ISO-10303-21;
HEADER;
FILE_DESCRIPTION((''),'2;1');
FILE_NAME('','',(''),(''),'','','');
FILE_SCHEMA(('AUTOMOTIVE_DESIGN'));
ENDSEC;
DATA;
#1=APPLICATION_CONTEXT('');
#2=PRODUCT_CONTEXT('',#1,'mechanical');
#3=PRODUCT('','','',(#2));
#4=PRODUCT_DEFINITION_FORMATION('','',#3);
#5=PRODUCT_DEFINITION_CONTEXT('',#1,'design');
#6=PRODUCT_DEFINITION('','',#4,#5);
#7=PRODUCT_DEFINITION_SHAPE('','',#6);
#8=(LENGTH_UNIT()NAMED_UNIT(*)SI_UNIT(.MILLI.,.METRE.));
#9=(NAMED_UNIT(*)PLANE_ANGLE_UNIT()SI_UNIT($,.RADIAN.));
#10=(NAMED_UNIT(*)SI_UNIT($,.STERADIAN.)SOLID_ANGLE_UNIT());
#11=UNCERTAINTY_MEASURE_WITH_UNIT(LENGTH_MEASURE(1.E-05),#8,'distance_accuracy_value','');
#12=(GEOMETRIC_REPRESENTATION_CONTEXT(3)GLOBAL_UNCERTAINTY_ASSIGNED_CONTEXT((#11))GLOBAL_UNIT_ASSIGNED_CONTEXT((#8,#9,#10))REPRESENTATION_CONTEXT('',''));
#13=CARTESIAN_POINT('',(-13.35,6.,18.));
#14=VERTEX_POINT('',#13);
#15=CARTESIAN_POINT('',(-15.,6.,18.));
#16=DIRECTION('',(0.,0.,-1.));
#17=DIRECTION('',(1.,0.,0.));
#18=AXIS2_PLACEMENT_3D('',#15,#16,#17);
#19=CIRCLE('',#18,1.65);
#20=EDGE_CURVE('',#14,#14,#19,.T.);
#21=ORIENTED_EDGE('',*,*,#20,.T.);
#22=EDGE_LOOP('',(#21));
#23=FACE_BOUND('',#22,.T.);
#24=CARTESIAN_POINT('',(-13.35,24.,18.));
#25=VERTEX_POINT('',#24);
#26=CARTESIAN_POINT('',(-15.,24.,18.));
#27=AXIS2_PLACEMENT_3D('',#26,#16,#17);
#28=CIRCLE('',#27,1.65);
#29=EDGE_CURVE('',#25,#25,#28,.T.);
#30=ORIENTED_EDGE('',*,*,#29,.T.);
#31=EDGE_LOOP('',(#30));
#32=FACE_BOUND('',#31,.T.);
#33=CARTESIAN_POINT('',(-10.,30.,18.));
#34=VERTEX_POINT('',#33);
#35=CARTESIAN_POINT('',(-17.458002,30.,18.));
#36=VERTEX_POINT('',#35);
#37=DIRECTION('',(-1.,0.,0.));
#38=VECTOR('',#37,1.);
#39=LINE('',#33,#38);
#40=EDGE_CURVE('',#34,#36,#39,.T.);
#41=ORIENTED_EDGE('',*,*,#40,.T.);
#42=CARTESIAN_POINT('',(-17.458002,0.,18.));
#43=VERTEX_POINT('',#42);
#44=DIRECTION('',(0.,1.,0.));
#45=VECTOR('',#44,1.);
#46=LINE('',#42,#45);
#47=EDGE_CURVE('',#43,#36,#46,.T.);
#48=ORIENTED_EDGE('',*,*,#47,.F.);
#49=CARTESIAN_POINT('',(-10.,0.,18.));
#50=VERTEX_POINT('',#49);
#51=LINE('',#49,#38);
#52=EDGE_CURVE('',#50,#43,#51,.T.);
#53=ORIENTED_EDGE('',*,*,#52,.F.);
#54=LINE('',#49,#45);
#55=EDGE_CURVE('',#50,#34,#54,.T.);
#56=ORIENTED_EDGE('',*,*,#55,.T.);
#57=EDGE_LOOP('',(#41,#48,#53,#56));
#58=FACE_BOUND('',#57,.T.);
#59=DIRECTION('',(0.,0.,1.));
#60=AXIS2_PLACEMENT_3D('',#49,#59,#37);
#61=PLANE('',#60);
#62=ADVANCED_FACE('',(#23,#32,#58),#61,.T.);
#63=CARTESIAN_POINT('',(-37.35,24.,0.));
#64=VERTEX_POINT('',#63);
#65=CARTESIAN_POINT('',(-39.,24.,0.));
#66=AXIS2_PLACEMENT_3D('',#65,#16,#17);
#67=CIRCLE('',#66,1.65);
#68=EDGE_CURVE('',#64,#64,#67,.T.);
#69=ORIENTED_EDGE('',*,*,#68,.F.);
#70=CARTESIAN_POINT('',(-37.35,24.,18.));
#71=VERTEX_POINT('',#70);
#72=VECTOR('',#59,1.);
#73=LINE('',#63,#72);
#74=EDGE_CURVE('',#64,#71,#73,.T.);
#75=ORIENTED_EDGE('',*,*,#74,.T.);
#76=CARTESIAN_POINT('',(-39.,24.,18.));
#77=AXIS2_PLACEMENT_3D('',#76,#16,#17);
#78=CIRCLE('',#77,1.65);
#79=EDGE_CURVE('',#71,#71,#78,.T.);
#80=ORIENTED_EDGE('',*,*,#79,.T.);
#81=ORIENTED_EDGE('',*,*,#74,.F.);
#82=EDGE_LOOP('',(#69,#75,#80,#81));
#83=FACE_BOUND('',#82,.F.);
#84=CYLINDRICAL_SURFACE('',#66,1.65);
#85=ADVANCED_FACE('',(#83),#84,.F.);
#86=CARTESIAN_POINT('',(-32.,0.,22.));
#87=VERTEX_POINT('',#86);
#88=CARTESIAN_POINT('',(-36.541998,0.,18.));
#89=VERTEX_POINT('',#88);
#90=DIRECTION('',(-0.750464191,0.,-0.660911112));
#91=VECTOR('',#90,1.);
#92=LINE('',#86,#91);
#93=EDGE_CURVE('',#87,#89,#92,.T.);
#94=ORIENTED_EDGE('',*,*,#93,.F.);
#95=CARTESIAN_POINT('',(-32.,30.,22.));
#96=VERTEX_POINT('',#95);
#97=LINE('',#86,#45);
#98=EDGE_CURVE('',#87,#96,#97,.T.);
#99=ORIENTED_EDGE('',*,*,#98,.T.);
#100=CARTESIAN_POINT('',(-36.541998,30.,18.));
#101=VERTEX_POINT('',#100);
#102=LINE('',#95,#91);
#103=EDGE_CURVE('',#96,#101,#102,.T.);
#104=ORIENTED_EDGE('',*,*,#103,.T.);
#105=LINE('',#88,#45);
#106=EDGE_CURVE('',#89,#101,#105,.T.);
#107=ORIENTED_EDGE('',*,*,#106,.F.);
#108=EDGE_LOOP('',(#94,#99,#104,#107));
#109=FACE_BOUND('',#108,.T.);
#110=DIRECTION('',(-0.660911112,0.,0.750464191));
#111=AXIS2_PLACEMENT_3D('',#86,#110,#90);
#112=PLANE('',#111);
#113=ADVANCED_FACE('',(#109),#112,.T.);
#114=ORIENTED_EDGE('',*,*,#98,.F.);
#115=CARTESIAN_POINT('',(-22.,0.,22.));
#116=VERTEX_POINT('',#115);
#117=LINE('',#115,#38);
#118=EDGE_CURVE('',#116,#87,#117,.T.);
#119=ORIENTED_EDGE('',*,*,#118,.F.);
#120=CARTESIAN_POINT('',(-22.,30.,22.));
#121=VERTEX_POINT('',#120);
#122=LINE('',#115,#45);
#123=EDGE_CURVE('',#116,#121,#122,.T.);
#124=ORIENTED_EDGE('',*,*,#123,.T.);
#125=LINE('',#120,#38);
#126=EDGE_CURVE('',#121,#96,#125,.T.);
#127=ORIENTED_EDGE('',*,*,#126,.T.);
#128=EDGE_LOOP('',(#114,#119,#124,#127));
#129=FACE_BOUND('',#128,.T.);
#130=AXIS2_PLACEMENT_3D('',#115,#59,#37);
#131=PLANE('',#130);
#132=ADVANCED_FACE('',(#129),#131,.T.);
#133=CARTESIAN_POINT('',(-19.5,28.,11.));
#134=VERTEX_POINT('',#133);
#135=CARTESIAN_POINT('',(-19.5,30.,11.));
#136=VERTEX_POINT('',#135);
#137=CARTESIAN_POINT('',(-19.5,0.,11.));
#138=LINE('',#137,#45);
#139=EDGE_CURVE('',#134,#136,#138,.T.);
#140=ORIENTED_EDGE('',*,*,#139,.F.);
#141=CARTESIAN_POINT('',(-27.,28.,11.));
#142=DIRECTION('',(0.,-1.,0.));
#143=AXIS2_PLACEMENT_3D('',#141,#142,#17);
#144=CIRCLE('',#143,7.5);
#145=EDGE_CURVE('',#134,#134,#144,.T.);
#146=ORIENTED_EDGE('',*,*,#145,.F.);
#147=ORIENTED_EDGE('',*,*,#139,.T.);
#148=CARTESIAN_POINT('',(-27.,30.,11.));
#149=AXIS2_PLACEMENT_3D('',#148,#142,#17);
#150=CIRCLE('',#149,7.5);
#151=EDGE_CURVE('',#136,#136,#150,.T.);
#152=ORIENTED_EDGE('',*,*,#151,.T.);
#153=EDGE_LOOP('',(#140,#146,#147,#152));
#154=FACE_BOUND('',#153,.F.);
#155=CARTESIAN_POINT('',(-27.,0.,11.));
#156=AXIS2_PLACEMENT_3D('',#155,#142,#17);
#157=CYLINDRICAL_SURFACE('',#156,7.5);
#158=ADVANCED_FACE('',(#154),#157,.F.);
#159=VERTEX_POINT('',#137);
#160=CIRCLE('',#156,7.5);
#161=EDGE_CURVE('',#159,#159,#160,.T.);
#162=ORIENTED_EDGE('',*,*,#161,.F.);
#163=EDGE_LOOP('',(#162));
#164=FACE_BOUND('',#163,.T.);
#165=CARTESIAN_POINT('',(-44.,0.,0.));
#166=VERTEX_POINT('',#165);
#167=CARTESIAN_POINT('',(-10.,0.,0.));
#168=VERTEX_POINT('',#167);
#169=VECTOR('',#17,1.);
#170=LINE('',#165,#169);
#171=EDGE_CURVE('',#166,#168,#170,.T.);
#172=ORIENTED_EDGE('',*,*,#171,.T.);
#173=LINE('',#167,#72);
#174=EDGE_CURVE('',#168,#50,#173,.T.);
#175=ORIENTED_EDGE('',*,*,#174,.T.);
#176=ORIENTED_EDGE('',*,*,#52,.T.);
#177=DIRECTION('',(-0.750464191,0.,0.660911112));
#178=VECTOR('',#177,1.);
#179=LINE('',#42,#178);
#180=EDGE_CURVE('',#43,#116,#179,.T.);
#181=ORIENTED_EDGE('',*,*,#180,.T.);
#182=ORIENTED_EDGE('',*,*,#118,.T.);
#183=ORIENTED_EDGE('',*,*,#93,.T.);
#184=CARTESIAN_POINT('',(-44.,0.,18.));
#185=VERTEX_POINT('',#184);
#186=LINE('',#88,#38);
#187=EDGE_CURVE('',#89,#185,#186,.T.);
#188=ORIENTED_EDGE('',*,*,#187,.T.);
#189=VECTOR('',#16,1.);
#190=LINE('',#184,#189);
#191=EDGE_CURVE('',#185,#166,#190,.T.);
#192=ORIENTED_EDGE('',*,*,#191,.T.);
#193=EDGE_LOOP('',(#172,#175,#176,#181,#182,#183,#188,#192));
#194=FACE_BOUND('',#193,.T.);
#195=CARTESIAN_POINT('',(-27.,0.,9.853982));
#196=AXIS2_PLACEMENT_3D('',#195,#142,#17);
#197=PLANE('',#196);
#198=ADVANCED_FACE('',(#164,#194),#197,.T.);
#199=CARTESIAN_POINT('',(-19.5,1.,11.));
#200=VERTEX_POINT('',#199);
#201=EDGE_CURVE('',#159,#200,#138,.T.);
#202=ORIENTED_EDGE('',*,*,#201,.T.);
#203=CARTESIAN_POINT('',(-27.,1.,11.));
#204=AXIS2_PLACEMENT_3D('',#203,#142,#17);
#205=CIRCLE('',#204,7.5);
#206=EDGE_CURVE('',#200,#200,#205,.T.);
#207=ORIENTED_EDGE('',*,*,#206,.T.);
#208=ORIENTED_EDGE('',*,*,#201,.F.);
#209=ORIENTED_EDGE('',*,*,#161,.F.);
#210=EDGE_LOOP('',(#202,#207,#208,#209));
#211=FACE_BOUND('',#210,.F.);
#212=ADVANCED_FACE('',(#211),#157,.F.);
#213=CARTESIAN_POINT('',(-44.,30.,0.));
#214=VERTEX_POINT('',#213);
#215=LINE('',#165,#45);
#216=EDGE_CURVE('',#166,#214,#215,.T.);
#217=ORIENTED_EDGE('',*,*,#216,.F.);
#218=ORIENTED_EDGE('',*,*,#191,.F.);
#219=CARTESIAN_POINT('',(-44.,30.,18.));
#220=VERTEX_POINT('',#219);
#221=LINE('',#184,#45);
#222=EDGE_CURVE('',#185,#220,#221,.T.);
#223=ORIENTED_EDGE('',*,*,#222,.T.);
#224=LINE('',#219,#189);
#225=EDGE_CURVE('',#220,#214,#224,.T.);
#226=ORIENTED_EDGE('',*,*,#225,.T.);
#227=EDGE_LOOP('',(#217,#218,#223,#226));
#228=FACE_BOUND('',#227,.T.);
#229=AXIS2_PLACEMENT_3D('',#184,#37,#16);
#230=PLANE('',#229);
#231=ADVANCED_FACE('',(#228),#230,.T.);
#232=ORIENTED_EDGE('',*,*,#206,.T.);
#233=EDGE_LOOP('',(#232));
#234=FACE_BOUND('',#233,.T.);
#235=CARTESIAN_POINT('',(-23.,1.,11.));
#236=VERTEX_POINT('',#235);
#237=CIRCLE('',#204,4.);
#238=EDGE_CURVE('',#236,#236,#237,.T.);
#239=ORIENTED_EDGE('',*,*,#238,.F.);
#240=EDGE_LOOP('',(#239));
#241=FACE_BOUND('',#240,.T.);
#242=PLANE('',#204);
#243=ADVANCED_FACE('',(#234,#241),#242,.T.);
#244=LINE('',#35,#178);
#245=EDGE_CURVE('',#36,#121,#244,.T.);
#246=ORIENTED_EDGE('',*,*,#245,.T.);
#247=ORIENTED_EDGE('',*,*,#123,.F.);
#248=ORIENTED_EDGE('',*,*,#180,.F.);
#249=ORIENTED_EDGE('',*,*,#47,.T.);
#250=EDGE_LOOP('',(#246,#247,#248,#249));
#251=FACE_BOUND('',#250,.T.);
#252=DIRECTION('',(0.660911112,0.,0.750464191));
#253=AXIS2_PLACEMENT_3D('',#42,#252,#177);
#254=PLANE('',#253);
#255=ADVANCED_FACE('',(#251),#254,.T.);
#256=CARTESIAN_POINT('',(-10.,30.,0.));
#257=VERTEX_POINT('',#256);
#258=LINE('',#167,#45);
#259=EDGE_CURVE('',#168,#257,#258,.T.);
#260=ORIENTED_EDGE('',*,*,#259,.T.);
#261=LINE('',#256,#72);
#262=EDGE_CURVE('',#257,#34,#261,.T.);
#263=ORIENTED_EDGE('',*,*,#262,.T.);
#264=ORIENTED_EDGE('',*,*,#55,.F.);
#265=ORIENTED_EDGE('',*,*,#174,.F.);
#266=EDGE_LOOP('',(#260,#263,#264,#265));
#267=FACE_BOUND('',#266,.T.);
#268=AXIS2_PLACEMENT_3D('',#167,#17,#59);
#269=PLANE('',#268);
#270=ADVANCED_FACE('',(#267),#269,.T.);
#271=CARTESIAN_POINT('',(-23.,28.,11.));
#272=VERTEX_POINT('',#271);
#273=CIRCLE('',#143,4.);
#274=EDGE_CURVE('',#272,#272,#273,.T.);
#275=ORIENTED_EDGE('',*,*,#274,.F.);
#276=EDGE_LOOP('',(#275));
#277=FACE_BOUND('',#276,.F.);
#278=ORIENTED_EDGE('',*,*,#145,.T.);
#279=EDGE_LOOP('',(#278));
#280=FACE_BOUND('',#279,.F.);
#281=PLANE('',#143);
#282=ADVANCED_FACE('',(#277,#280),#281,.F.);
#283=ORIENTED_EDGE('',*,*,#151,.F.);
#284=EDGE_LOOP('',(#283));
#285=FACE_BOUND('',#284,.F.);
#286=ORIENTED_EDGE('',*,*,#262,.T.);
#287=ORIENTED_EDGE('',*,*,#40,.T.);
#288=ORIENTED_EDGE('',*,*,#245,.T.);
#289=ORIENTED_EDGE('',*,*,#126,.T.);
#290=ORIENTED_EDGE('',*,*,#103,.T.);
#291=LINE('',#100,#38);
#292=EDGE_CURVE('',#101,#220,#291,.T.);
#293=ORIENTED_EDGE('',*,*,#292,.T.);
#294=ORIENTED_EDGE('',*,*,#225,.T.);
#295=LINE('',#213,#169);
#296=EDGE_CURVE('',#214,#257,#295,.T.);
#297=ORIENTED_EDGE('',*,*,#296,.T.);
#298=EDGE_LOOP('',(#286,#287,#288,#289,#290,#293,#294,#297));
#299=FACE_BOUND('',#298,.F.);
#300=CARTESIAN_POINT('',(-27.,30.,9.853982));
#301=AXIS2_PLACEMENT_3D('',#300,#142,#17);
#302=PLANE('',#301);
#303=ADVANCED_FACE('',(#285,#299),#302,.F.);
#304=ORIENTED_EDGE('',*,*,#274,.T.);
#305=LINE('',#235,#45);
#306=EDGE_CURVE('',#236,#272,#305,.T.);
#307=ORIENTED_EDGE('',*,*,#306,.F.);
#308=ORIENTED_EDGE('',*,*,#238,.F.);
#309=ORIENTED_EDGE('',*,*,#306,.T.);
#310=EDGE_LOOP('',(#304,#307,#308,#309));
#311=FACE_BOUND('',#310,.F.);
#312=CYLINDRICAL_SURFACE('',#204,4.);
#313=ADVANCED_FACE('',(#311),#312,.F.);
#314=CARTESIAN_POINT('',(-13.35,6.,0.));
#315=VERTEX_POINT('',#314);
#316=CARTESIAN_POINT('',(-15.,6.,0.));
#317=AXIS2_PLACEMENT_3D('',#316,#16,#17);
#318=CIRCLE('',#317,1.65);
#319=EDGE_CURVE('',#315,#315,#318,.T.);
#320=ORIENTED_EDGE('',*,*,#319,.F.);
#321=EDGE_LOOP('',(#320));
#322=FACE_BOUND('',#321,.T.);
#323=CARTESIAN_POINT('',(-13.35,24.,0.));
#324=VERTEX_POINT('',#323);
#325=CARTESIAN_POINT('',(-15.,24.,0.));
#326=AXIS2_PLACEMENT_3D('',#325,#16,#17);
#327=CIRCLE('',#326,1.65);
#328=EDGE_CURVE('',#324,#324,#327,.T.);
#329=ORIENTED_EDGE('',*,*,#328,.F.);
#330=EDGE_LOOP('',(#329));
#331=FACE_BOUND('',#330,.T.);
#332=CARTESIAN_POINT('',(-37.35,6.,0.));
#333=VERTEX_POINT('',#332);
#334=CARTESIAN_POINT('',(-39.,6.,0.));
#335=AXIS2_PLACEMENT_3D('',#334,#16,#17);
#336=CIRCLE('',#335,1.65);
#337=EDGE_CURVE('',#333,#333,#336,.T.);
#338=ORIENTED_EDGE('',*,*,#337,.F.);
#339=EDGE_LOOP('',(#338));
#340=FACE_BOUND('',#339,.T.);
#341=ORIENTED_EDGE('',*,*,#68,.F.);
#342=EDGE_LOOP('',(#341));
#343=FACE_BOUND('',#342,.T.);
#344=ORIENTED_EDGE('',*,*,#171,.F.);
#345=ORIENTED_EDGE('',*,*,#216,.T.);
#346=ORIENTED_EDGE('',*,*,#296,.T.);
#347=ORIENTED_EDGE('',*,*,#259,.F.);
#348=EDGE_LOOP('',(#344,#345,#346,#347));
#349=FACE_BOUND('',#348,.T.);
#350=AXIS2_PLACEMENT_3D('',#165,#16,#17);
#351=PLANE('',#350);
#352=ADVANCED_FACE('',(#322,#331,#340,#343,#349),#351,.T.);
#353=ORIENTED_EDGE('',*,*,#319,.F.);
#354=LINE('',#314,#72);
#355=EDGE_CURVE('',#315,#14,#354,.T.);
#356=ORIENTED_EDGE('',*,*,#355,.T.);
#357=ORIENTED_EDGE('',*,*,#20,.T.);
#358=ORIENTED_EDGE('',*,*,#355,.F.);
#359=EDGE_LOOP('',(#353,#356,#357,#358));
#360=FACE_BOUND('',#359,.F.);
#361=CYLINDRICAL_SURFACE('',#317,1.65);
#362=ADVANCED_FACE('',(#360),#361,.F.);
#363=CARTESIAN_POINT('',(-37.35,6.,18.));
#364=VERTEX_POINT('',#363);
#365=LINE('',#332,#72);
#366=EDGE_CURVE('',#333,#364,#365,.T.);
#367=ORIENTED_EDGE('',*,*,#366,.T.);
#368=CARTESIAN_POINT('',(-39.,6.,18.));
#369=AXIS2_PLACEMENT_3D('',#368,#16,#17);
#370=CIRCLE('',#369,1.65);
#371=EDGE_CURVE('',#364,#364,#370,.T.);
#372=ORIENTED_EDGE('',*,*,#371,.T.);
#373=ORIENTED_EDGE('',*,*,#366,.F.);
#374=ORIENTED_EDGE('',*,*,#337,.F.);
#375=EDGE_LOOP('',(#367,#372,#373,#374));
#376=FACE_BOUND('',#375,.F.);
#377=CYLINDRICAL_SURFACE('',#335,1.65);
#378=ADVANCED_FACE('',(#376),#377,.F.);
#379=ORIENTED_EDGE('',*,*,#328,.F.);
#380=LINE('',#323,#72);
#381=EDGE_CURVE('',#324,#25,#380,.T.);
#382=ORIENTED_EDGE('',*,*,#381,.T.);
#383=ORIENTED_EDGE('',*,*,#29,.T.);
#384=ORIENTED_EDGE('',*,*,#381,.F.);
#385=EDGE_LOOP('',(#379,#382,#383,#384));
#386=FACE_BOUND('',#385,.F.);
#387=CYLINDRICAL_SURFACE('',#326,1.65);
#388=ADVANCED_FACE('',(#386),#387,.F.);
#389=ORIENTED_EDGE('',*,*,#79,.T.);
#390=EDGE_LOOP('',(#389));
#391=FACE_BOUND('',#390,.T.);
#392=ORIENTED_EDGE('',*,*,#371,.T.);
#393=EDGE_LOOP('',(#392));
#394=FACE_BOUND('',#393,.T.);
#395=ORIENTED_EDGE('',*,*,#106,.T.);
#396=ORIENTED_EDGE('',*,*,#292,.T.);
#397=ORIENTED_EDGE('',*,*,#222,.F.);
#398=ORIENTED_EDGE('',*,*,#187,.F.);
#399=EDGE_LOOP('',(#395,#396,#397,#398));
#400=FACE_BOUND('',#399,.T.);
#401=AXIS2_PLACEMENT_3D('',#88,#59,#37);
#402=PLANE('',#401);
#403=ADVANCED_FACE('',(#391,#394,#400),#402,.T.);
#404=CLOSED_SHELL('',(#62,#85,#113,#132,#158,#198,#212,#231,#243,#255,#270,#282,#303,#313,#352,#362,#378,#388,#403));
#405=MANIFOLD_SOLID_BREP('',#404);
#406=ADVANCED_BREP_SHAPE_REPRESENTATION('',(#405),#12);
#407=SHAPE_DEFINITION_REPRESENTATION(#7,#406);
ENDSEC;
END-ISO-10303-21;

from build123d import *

# Parameters (mm, degrees)
F0_R     = 7.5
F1_DEPTH = 30
F2_START = -1
F0_R_2   = 4
F2_DEPTH = 27
F3_R     = 1.65
F4_DEPTH = 25


with BuildPart() as f1:
    # F0 (on Front) → F1 (new body)
    with BuildSketch(Plane.XZ):
        Polygon((-44, 18), (-44, 0), (-10, 0), (-10, 18), (-17.4580022789, 18), (-22, 22), (-32, 22), (-36.5419977211, 18), align=None)
        with Locations((-27, 11)):
            Circle(F0_R, mode=Mode.SUBTRACT)
    extrude(amount=-F1_DEPTH)

    # F0 (on Front) → F2 (join)
    with BuildSketch(Plane.XZ.offset(F2_START)):
        with Locations((-27, 11)):
            Circle(F0_R)
        with Locations((-27, 11)):
            Circle(F0_R_2, mode=Mode.SUBTRACT)
    extrude(amount=-F2_DEPTH)

    # F3 (on face) → F4 (cut)
    with BuildSketch(Plane(origin=(0, 0, 0), x_dir=(1, 0, 0), z_dir=(0, 0, -1))):
        with Locations((-39, -6)):
            Circle(F3_R)
        with Locations((-15, -6)):
            Circle(F3_R)
        with Locations((-15, -24)):
            Circle(F3_R)
        with Locations((-39, -24)):
            Circle(F3_R)
    extrude(amount=-F4_DEPTH, mode=Mode.SUBTRACT)


solid = f1.part
